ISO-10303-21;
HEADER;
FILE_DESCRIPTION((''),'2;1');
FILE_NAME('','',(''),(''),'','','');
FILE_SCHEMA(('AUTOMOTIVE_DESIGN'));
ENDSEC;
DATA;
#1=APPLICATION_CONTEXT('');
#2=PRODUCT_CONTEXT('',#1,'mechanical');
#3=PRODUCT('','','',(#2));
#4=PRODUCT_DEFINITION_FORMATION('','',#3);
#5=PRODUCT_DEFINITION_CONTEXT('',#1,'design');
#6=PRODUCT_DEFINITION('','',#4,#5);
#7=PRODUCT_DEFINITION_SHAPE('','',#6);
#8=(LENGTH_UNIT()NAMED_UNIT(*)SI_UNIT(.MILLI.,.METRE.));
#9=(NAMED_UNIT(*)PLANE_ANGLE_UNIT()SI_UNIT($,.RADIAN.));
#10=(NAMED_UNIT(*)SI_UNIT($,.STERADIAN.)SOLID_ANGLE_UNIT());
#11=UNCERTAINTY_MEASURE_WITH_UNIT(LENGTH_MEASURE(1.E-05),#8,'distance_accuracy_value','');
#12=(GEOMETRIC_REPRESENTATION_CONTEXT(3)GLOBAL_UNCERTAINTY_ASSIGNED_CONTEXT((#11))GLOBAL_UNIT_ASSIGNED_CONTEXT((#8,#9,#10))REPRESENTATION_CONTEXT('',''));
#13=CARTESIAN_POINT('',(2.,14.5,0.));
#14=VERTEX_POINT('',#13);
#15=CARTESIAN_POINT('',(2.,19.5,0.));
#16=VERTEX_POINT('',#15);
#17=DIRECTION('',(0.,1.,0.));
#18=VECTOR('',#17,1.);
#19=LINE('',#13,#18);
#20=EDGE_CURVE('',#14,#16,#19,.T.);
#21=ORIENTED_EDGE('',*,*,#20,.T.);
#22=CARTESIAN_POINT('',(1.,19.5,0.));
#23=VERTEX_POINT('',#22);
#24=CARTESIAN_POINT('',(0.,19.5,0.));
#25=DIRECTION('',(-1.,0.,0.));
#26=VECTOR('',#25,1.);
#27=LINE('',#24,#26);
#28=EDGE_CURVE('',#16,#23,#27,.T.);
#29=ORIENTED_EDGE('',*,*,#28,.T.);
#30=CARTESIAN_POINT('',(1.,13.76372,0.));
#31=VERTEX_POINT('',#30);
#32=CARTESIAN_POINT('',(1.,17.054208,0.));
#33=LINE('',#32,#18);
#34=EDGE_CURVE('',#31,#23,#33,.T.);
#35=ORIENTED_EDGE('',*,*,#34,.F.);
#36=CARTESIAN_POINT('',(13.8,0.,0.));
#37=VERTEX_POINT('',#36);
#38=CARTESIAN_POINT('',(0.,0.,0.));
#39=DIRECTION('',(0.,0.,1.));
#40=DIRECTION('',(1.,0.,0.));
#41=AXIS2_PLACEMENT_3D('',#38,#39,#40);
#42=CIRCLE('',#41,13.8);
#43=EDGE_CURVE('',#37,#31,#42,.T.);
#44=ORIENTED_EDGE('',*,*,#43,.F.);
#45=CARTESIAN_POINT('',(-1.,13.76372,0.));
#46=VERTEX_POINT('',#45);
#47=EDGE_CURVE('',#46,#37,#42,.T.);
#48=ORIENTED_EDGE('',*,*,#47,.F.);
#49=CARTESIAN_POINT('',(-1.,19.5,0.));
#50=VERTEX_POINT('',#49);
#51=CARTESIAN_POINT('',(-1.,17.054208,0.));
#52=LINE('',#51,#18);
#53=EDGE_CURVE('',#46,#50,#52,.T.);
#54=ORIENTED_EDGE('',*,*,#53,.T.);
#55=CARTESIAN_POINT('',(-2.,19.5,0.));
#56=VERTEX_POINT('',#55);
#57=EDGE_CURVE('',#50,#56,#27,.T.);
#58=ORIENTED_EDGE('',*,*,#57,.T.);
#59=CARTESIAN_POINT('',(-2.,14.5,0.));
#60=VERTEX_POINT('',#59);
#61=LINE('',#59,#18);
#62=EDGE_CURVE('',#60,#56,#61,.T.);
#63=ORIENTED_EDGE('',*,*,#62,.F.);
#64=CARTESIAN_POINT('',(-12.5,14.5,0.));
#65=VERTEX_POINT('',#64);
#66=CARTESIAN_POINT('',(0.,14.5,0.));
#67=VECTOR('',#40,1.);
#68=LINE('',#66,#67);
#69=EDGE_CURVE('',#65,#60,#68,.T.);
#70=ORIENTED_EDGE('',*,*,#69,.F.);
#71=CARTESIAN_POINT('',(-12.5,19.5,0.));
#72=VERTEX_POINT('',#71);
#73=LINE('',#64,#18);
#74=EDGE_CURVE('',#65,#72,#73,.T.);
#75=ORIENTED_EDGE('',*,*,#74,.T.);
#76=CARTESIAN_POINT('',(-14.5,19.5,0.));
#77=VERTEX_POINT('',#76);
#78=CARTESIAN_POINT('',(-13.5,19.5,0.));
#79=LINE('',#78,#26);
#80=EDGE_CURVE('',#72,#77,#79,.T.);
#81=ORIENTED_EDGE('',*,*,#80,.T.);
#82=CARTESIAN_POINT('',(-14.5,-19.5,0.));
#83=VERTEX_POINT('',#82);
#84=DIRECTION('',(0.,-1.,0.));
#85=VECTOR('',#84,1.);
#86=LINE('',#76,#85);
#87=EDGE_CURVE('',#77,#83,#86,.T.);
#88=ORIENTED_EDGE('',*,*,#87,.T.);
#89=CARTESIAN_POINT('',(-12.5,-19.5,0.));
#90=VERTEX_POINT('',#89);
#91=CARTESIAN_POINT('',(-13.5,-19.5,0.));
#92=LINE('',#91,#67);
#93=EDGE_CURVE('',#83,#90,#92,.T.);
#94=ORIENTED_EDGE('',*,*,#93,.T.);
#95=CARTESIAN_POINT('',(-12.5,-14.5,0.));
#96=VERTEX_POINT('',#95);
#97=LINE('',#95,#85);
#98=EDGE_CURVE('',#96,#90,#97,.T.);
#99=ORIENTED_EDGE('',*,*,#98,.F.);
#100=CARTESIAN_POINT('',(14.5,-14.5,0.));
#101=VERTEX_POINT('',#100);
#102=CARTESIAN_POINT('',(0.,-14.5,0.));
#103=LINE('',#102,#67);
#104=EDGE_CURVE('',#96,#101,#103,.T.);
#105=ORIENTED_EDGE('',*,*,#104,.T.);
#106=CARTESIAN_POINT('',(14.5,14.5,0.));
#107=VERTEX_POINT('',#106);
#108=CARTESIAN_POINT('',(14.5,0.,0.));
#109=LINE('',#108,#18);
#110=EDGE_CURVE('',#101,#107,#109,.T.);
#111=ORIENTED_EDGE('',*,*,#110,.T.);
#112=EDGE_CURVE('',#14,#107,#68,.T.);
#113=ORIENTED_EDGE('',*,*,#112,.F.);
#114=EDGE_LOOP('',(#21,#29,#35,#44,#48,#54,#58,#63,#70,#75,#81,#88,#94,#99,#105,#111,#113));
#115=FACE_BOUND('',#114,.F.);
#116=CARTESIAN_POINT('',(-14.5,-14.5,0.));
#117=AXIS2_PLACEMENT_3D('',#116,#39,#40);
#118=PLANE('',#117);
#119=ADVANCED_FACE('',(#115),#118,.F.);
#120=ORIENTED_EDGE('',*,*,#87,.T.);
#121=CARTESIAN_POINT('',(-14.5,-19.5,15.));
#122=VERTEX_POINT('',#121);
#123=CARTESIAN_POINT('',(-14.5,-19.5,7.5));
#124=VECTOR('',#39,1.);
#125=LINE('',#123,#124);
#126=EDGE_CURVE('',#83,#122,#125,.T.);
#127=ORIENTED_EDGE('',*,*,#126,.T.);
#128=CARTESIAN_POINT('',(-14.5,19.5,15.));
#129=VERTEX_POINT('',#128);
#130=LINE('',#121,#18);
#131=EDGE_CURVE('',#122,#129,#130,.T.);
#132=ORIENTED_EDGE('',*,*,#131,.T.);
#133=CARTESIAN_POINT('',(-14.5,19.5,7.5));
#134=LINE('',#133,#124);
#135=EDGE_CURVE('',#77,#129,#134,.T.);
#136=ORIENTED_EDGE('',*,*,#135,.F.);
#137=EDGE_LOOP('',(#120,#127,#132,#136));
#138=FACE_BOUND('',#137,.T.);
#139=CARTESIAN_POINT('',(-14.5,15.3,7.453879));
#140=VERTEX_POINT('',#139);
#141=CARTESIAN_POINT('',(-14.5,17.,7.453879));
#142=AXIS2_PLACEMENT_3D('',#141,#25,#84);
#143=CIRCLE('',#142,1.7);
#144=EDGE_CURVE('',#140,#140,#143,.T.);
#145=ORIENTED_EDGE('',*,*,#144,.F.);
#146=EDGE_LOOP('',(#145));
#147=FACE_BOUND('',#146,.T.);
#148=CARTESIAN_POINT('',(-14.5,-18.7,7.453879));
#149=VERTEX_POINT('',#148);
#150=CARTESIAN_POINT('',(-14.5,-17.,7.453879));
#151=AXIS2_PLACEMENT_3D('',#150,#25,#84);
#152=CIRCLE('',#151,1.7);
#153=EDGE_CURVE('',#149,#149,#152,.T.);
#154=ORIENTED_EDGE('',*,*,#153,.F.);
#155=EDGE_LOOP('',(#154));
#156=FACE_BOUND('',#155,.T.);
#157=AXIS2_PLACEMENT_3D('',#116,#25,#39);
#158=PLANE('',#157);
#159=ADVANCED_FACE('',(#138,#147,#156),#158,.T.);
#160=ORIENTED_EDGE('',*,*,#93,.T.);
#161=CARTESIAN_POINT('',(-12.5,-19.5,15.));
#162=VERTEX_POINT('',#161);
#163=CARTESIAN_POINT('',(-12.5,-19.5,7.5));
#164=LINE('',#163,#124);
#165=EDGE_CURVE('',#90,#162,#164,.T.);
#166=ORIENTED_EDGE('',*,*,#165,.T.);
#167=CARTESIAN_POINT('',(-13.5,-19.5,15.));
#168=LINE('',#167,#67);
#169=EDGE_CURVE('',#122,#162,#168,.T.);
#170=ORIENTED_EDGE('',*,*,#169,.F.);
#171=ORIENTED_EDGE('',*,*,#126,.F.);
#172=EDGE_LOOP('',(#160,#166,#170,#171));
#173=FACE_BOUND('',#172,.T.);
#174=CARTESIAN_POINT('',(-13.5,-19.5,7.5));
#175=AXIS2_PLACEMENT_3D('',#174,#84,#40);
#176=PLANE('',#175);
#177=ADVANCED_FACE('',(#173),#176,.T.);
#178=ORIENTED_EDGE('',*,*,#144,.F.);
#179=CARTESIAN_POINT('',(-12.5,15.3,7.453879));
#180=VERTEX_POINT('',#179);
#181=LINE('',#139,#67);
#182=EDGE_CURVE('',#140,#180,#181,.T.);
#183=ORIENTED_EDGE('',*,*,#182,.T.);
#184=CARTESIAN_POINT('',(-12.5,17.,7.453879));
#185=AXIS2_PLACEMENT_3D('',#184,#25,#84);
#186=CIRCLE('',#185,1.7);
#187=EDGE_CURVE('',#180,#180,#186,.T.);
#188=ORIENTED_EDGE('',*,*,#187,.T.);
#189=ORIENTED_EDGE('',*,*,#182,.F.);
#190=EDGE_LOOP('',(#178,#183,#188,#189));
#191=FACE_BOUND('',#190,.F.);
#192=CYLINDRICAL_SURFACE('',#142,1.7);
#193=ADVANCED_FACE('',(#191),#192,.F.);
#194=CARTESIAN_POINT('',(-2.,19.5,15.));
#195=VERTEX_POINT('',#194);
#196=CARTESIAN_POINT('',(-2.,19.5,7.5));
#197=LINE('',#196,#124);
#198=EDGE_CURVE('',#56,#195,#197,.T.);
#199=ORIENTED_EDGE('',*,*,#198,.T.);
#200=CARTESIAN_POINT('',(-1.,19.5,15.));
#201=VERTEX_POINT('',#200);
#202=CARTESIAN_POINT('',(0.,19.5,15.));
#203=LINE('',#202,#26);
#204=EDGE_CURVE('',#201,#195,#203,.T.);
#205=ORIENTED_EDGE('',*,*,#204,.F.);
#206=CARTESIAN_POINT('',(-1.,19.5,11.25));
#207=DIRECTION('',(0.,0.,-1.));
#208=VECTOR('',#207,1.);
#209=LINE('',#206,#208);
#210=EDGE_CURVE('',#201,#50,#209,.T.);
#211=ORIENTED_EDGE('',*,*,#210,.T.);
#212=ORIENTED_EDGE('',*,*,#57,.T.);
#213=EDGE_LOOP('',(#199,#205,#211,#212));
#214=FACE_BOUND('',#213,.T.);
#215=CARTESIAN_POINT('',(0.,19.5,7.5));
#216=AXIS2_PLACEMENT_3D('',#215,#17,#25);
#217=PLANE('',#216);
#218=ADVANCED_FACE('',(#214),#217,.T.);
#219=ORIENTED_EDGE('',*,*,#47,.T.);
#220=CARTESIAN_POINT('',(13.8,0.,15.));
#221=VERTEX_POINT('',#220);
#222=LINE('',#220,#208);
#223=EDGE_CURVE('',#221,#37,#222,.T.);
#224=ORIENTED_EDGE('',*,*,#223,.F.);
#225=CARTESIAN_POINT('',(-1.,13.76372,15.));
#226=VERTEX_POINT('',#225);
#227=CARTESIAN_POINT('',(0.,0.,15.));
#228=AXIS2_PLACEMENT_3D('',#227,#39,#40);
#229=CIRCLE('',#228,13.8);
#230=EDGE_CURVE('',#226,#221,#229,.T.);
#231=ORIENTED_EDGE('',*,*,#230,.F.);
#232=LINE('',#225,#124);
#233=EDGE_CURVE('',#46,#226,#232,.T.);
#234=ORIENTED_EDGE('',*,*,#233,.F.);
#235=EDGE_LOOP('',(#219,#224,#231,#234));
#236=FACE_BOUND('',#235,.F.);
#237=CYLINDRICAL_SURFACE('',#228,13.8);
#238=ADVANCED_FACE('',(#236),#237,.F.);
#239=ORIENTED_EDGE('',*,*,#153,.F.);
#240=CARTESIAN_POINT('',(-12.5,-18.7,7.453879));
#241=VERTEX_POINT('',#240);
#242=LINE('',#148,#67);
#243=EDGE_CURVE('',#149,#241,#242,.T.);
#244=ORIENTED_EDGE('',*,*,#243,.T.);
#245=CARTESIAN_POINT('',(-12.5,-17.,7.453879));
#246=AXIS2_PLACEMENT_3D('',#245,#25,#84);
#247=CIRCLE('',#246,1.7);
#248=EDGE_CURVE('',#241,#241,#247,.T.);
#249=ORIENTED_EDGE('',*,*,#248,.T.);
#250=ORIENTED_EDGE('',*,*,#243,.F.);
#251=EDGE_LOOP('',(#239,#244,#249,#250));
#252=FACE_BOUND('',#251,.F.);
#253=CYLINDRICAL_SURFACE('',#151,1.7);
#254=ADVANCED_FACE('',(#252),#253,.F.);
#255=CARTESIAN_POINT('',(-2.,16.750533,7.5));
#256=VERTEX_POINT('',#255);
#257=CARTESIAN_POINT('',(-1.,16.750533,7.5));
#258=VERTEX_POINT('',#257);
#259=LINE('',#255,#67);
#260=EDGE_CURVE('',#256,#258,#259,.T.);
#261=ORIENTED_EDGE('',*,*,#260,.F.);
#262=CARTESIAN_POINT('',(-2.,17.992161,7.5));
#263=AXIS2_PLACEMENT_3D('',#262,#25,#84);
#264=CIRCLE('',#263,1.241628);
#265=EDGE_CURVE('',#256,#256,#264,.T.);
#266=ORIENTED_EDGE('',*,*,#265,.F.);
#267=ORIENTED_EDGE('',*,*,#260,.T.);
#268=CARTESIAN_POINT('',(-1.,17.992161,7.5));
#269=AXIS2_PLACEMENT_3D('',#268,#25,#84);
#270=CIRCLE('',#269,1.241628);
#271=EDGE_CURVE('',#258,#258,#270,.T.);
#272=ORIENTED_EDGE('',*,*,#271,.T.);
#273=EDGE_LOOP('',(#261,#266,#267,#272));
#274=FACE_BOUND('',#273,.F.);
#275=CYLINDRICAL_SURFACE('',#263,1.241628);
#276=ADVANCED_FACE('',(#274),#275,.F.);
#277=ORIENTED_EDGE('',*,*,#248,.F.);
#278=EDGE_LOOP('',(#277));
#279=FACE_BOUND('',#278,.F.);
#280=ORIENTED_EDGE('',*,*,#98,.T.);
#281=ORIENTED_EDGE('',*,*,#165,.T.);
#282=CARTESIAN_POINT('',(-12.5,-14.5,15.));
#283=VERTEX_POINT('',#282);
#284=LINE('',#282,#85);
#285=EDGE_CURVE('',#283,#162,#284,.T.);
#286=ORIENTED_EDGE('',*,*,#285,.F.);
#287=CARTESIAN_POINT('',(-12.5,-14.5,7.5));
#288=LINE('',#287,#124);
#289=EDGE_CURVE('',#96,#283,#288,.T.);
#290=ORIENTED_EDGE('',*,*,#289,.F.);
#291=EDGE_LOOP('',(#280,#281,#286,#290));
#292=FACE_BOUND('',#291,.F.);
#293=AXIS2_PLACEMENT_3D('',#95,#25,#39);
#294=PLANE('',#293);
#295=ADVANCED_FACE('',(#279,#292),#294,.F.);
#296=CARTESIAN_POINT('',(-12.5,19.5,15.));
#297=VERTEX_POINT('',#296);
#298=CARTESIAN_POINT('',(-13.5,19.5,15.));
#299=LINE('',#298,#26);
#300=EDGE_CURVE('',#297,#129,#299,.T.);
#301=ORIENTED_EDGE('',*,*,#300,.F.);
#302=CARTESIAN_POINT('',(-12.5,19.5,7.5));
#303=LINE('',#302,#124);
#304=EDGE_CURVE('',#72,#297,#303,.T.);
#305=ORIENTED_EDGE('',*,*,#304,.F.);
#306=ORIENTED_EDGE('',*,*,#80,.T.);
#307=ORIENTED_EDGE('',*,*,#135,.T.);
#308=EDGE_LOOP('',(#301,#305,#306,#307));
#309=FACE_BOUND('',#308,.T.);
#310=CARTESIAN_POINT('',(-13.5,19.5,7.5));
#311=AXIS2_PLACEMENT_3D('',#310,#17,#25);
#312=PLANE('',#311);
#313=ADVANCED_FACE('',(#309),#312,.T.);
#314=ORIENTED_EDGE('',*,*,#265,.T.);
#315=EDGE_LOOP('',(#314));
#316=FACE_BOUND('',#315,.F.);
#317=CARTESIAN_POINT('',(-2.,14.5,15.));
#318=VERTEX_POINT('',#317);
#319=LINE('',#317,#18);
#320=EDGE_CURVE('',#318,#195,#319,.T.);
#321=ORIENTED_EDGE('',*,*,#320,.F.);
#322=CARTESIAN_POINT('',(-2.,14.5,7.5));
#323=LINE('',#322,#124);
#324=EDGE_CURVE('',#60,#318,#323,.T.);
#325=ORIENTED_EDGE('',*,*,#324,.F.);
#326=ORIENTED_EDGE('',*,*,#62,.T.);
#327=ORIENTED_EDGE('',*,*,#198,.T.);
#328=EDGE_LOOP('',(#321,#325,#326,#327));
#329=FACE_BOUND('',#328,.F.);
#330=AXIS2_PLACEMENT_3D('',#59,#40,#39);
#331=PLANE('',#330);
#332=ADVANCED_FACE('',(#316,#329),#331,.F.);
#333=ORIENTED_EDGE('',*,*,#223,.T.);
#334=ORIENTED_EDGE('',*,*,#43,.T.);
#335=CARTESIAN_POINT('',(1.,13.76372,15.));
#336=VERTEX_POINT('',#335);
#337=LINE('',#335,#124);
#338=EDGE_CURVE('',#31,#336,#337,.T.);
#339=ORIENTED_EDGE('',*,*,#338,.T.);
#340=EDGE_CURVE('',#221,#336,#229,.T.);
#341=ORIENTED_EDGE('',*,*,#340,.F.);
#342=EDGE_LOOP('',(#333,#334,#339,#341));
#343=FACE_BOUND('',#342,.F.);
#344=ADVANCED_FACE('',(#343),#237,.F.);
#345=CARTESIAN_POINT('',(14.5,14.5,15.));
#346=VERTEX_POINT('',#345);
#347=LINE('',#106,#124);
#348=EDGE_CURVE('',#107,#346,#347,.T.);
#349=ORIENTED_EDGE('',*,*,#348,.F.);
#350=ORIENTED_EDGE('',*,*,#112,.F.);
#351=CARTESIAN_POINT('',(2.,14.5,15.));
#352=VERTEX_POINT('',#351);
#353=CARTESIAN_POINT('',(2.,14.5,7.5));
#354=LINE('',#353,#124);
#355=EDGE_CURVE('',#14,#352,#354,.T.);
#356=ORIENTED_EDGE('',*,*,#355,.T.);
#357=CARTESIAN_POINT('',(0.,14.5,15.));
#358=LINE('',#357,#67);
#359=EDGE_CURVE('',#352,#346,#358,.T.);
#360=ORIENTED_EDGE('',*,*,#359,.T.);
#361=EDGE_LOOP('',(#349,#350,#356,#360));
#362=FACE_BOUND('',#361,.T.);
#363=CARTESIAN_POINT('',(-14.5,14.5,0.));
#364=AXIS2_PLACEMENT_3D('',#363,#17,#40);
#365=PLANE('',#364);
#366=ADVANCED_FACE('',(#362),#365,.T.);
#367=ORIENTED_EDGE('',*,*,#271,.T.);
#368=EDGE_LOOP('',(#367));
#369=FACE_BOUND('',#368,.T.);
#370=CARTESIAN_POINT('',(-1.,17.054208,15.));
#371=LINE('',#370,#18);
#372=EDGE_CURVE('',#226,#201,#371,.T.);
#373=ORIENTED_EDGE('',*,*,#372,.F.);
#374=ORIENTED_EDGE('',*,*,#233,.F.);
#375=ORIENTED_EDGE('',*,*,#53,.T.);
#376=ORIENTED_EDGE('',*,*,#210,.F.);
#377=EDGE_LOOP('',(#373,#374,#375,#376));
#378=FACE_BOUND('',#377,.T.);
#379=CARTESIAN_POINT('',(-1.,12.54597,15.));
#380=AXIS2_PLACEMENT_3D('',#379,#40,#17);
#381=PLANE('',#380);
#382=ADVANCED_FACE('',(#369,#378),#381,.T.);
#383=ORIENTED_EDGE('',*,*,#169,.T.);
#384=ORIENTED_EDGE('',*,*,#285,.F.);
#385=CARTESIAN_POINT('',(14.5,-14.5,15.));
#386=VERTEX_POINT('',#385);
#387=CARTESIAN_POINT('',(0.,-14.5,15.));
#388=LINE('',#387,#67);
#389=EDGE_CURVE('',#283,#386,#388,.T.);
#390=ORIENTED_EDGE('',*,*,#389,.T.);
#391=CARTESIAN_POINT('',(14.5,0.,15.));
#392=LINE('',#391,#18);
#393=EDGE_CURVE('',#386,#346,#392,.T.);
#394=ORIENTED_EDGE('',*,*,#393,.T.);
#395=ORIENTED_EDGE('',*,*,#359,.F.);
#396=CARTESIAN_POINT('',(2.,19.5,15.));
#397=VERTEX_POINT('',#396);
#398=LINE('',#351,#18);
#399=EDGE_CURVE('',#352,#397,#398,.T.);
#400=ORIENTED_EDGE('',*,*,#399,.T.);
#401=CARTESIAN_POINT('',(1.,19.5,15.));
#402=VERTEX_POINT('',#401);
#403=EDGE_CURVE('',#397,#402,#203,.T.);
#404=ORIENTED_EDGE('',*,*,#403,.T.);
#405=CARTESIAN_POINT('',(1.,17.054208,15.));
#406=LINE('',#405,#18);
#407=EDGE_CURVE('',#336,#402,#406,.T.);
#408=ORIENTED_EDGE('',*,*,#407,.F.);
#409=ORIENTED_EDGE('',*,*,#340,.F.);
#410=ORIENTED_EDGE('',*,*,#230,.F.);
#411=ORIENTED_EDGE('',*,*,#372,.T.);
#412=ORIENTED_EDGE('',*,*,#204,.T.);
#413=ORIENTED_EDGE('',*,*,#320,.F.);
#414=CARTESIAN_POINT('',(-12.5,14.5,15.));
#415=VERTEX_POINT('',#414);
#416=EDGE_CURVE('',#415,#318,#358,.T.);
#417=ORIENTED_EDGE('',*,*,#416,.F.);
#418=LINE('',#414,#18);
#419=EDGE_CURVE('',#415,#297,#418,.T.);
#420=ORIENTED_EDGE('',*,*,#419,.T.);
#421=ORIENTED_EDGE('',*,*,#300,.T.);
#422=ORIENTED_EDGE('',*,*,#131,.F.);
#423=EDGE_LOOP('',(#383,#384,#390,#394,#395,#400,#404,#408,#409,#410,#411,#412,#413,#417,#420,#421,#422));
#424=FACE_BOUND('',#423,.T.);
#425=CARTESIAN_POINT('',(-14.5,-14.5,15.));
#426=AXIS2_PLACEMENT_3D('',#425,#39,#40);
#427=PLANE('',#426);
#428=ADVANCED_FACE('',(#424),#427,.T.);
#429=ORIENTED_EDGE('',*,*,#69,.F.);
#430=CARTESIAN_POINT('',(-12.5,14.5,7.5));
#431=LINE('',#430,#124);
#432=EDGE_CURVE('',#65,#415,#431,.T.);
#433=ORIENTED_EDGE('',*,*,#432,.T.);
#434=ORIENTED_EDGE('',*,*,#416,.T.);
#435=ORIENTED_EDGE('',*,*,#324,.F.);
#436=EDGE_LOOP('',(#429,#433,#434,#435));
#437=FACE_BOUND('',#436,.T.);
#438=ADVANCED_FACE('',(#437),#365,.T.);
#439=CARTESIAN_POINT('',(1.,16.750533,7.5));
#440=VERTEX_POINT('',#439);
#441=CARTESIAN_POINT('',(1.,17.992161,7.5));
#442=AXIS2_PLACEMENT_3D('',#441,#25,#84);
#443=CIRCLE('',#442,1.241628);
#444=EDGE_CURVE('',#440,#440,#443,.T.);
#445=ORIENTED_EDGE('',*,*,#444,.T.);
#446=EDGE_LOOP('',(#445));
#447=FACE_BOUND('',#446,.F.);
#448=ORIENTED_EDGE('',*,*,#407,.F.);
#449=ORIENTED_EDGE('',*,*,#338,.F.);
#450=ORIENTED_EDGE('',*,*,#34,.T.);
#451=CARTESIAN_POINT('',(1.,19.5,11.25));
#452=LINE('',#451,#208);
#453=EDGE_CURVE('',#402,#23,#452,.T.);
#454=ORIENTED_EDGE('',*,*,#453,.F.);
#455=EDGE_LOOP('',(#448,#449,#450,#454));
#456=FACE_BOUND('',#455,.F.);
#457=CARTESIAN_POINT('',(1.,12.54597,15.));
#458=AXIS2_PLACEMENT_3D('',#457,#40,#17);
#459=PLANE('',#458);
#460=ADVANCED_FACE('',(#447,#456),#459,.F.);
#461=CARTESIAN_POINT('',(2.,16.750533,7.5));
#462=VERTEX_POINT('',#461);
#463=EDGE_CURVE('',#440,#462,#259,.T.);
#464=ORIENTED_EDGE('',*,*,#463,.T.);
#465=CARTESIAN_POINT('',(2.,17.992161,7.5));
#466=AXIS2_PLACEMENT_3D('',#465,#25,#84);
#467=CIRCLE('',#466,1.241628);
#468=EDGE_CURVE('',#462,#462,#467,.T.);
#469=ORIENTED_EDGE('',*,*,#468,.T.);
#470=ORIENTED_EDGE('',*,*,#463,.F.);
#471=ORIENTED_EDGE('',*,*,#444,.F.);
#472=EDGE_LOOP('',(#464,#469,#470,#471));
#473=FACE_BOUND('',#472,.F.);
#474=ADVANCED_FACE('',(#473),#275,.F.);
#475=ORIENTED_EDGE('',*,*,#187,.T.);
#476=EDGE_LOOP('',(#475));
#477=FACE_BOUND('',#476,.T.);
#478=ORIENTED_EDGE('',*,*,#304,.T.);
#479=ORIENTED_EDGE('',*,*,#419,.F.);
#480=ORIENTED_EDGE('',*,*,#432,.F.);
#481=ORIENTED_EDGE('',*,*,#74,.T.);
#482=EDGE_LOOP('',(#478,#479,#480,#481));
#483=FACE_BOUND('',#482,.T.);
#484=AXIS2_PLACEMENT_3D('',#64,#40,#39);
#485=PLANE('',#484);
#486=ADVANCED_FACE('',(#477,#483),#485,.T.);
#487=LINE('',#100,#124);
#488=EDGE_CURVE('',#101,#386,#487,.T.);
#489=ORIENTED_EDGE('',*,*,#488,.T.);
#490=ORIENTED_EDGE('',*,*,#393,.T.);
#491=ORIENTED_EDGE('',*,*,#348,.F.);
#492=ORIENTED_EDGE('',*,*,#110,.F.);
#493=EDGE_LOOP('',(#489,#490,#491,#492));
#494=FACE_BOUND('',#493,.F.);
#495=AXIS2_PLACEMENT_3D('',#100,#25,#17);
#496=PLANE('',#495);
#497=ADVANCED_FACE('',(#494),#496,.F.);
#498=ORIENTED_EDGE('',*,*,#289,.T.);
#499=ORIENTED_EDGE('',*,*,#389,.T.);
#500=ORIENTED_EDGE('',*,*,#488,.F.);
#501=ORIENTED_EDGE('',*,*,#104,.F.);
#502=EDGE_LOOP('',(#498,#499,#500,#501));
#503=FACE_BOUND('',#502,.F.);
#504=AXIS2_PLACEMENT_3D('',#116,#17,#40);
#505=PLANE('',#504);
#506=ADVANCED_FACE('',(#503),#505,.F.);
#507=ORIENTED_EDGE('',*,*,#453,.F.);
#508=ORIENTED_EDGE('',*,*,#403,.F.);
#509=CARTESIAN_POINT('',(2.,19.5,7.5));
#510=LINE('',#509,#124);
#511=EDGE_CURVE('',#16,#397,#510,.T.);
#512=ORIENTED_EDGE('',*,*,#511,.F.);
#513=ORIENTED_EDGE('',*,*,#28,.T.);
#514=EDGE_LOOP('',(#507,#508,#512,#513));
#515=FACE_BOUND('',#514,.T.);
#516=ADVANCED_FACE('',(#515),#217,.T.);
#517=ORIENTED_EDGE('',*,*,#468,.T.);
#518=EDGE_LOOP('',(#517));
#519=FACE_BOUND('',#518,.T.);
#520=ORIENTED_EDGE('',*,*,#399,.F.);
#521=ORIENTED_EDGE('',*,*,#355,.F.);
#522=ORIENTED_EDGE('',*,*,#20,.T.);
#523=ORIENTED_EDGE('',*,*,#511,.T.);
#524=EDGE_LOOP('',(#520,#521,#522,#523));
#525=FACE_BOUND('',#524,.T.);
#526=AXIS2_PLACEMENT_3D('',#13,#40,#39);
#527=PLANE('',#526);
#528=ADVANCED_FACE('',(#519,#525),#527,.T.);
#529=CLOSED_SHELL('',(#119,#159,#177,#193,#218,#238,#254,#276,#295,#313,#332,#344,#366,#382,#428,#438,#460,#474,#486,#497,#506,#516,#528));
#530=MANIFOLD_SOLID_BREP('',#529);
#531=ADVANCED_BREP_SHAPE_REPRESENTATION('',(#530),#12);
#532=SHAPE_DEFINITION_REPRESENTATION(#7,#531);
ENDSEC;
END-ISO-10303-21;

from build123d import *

# Parameters (mm, degrees)
SKETCH_W        = 29
SKETCH_H        = 29
PAD_DEPTH       = 15
SKETCH001_R     = 13.8
POCKET_DEPTH    = 15
SKETCH003_W     = 4
SKETCH003_H     = 15
PAD001_DEPTH    = 5
SKETCH005_W     = 2
SKETCH005_H     = 9.016475
POCKET001_DEPTH = 15
SKETCH006_R     = 1.241628
POCKET002_DEPTH = 5
SKETCH007_W     = 2
SKETCH007_H     = 15
PAD002_DEPTH    = 5
SKETCH008_W     = 2
SKETCH008_H     = 15
PAD003_DEPTH    = 5
SKETCH009_R     = 1.7
POCKET003_DEPTH = 5


with BuildPart() as part:
    # Sketch → Pad (new body)
    with BuildSketch(Plane.XY):
        Rectangle(SKETCH_W, SKETCH_H)
    extrude(amount=PAD_DEPTH)

    # Sketch001 (on Face6 of Pad) → Pocket (cut)
    with BuildSketch(Plane.XY.offset(15)):
        Circle(SKETCH001_R)
    extrude(amount=-POCKET_DEPTH, mode=Mode.SUBTRACT)

    # Sketch003 (on Face1 of Pocket) → Pad001 (join)
    with BuildSketch(Plane(origin=(0, 14.5, 0), x_dir=(-1, 0, 0), z_dir=(0, 1, 0))):
        with Locations((0, 7.5)):
            Rectangle(SKETCH003_W, SKETCH003_H)
    extrude(amount=PAD001_DEPTH)

    # Sketch005 (on Face11 of Pad001) → Pocket001 (cut)
    with BuildSketch(Plane.XY.offset(15)):
        with Locations((0, 17.054208)):
            Rectangle(SKETCH005_W, SKETCH005_H)
    extrude(amount=-POCKET001_DEPTH, mode=Mode.SUBTRACT)

    # Sketch006 (on Face3 of Pocket001) → Pocket002 (cut)
    with BuildSketch(Plane(origin=(-2, 0, 0), x_dir=(0, -1, 0), z_dir=(-1, 0, 0))):
        with Locations((-17.992161, 7.5)):
            Circle(SKETCH006_R)
    extrude(amount=-POCKET002_DEPTH, mode=Mode.SUBTRACT)

    # Sketch007 (on Face1 of Pocket002) → Pad002 (join)
    with BuildSketch(Plane(origin=(0, 14.5, 0), x_dir=(-1, 0, 0), z_dir=(0, 1, 0))):
        with Locations((13.5, 7.5)):
            Rectangle(SKETCH007_W, SKETCH007_H)
    extrude(amount=PAD002_DEPTH)

    # Sketch008 (on Face7 of Pad002) → Pad003 (join)
    with BuildSketch(Plane.XZ.offset(14.5)):
        with Locations((-13.5, 7.5)):
            Rectangle(SKETCH008_W, SKETCH008_H)
    extrude(amount=PAD003_DEPTH)

    # Sketch009 (on Face26 of Pad003) → Pocket003 (cut)
    with BuildSketch(Plane(origin=(-14.5, 0, 0), x_dir=(0, -1, 0), z_dir=(-1, 0, 0))):
        with Locations((-17, 7.453879)):
            Circle(SKETCH009_R)
        with Locations((17, 7.453879)):
            Circle(SKETCH009_R)
    extrude(amount=-POCKET003_DEPTH, mode=Mode.SUBTRACT)


solid = part.part
